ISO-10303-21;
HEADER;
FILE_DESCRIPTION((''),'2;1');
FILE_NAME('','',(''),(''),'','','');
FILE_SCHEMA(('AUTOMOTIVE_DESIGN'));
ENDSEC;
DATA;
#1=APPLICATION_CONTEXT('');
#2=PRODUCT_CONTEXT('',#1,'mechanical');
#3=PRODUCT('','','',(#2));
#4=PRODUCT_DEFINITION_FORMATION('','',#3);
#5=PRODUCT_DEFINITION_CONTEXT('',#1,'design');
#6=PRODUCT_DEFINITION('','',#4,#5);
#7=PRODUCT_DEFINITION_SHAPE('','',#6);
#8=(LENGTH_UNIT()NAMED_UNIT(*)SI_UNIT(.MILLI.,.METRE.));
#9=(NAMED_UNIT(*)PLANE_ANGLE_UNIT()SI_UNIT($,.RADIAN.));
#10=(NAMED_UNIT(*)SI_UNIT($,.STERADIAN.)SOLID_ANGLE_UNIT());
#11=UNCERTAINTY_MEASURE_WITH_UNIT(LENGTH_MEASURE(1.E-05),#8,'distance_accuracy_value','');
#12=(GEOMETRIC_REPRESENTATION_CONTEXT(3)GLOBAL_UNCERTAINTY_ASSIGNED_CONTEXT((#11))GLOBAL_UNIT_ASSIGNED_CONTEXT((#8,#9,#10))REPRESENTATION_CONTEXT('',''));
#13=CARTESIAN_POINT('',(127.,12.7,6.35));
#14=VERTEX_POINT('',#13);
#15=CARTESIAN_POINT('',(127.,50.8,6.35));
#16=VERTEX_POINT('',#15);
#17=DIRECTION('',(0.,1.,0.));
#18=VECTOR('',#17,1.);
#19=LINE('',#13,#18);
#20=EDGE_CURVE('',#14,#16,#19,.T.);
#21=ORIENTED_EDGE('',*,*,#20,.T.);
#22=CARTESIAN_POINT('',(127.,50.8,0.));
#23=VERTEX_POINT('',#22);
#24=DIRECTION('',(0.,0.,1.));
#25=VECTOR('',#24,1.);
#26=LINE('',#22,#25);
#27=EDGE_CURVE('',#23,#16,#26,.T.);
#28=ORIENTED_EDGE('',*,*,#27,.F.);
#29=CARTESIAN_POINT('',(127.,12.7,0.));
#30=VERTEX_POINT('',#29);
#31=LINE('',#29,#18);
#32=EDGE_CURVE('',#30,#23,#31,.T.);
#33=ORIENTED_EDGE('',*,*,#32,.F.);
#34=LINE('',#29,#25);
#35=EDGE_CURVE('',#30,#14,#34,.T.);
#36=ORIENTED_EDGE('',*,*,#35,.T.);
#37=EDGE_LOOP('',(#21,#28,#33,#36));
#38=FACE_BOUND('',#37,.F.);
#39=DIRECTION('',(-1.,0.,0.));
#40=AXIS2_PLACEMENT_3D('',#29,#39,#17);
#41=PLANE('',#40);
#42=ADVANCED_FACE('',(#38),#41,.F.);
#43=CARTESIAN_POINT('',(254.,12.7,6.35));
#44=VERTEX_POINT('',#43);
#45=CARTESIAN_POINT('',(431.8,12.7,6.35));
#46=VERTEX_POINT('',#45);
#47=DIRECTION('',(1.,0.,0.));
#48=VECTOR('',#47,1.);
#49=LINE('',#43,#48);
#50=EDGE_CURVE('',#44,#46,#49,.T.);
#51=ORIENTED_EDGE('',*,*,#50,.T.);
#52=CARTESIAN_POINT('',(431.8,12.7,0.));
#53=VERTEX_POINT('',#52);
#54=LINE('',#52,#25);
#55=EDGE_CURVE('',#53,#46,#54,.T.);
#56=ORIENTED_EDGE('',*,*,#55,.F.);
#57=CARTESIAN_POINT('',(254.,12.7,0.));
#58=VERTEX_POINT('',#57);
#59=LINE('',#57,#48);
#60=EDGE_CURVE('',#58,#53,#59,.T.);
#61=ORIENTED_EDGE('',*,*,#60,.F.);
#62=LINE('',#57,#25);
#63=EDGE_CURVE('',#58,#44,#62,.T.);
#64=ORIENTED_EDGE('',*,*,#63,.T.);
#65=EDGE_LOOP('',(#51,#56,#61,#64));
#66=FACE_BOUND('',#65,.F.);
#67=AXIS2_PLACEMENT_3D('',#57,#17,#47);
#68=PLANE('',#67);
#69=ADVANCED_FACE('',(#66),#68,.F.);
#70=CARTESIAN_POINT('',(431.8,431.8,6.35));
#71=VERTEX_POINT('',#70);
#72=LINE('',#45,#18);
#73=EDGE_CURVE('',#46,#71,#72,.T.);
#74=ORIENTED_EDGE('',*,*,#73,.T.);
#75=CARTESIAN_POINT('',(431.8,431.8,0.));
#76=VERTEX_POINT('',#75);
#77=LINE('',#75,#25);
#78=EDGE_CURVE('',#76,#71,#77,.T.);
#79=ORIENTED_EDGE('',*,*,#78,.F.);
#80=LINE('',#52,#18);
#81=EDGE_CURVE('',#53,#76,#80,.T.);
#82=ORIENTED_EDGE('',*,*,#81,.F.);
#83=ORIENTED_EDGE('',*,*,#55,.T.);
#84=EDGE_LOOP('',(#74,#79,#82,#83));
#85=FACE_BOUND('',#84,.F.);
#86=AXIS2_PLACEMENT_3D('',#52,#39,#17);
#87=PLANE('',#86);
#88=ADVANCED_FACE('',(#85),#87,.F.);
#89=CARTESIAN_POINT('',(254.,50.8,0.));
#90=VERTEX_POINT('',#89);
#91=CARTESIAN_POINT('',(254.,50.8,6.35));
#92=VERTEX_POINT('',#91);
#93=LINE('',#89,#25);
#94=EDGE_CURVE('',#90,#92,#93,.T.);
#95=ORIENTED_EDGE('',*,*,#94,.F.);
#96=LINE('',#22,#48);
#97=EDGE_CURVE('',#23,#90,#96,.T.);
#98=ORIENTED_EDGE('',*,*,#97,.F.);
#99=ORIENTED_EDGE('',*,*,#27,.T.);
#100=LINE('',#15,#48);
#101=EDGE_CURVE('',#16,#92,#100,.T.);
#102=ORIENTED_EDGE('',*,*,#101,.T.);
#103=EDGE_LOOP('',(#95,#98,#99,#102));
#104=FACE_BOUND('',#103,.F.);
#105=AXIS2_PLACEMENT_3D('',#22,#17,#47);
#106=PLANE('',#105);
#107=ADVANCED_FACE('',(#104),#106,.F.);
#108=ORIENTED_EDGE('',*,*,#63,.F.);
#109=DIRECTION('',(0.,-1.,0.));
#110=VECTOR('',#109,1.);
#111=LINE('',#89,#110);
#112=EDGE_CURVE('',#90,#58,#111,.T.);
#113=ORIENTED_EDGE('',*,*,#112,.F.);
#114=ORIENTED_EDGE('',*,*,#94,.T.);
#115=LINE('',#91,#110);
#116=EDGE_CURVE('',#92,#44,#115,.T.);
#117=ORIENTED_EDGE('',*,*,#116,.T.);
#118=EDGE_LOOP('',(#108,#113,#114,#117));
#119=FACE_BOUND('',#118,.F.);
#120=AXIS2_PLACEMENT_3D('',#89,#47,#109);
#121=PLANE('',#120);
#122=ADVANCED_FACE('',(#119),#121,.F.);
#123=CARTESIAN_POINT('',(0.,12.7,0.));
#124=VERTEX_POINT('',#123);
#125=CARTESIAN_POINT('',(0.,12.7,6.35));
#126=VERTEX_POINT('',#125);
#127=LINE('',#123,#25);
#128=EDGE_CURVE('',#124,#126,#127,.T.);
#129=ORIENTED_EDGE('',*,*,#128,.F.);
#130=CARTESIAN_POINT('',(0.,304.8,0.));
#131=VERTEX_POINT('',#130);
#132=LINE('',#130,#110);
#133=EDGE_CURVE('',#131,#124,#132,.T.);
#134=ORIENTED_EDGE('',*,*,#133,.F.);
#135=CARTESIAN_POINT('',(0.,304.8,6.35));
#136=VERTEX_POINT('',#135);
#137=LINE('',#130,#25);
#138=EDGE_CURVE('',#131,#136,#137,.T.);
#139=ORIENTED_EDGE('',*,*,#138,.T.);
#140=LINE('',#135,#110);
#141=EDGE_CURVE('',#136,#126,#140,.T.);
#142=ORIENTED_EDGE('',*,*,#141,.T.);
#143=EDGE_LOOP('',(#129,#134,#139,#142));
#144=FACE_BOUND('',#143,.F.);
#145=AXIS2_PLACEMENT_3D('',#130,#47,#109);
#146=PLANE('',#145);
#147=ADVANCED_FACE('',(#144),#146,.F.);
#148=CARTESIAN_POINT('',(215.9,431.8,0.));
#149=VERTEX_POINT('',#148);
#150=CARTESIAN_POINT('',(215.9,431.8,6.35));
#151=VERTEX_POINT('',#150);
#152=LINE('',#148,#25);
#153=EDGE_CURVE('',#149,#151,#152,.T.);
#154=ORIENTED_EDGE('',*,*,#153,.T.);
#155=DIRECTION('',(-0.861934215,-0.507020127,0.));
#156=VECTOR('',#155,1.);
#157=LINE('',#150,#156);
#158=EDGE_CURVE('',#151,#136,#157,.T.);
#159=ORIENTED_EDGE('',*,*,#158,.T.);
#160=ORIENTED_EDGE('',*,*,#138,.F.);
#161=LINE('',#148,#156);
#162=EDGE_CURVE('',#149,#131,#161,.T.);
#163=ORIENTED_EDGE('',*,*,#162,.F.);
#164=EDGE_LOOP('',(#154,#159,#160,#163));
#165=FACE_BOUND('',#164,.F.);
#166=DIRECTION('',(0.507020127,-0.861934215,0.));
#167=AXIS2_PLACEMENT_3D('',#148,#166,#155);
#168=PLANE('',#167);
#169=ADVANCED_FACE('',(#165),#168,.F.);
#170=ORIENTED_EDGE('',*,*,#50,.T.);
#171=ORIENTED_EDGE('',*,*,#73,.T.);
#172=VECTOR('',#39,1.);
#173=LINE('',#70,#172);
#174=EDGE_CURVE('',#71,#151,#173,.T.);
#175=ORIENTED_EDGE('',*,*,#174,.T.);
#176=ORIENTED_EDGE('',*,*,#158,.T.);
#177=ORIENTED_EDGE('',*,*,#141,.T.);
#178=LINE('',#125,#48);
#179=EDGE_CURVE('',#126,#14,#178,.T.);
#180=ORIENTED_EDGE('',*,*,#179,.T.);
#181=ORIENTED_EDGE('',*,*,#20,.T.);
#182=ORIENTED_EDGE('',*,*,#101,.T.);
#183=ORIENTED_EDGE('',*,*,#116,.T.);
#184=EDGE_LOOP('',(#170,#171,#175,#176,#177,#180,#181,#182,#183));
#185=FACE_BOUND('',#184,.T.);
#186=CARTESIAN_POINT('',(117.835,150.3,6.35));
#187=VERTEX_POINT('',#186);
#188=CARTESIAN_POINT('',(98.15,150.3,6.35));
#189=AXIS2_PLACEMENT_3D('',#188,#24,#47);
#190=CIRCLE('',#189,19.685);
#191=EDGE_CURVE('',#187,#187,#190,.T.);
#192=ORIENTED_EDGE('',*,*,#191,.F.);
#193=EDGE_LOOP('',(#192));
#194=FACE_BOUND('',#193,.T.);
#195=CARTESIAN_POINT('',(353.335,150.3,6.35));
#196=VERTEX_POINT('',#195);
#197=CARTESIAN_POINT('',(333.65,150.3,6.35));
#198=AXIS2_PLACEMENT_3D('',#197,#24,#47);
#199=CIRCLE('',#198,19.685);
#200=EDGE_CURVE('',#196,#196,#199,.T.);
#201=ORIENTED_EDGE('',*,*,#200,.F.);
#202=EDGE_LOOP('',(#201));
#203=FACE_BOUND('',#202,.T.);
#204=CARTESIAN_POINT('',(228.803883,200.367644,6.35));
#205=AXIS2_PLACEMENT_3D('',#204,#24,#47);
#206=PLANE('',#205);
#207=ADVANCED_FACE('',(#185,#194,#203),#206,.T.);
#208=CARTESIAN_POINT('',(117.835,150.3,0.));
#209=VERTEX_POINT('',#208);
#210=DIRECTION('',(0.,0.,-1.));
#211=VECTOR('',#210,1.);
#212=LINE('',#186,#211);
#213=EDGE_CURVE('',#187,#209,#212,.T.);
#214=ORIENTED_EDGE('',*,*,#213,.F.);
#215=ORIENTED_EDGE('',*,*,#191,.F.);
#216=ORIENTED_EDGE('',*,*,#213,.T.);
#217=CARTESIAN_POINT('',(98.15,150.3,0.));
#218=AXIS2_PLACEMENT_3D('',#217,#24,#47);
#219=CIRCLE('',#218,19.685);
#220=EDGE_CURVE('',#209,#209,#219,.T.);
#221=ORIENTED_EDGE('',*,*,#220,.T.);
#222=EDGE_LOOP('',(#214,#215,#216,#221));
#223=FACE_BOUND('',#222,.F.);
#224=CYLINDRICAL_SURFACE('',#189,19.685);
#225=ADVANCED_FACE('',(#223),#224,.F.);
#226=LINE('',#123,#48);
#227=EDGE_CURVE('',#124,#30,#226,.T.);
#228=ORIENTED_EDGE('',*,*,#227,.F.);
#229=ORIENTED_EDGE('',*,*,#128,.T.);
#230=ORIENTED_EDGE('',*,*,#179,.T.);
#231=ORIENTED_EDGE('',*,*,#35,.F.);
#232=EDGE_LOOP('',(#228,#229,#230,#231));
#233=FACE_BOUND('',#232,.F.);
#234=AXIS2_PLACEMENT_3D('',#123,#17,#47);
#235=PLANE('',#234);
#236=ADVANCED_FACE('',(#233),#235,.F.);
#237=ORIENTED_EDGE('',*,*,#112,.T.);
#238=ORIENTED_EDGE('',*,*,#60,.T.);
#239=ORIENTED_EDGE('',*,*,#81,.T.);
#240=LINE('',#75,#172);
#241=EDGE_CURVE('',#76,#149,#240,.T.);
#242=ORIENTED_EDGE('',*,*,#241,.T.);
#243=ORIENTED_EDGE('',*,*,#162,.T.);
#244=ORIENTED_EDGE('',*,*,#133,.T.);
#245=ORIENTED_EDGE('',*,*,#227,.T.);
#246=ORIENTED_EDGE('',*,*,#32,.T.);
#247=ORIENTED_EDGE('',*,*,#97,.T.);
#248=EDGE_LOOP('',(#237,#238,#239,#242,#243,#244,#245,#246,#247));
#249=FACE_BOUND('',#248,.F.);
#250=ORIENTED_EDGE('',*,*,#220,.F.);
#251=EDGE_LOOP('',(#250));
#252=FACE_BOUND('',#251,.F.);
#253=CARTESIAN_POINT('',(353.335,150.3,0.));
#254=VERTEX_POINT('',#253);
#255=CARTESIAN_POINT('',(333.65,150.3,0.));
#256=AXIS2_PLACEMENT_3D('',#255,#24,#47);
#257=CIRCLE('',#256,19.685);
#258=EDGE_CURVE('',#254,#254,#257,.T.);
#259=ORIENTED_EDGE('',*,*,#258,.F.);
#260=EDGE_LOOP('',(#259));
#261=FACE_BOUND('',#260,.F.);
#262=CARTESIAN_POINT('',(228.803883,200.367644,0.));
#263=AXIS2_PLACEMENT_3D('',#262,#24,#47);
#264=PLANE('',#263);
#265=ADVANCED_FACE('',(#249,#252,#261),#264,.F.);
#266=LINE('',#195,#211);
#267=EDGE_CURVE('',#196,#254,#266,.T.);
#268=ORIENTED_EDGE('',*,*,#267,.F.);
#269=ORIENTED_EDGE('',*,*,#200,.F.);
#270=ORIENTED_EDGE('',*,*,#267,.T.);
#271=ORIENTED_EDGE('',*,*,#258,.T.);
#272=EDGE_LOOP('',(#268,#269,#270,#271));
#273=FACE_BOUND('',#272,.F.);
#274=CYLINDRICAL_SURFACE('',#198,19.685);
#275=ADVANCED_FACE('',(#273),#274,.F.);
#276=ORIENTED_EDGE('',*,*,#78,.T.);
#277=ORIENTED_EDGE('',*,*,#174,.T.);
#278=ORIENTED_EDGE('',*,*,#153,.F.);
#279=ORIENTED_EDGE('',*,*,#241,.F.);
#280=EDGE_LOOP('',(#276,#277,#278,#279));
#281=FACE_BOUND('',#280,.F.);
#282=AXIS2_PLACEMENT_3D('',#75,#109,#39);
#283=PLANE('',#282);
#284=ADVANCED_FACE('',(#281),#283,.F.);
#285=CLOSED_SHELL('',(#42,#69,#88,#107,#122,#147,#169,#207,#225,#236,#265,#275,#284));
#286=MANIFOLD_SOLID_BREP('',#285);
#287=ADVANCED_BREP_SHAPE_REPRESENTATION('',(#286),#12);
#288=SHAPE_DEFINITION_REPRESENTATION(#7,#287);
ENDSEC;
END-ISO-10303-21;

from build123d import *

# Parameters (mm, degrees)
BOSS_EXTRUDE1_DEPTH = 6.35
SKETCH3_R           = 19.685
CUT_EXTRUDE1_DEPTH  = 7.35


with BuildPart() as part:
    # Sketch2 → Boss-Extrude1 (new body)
    with BuildSketch(Plane.XY):
        Polygon((0, 304.8), (0, 12.7), (127, 12.7), (127, 50.8), (254, 50.8), (254, 12.7), (431.8, 12.7), (431.8, 431.8), (215.9, 431.8), align=None)
    extrude(amount=BOSS_EXTRUDE1_DEPTH)

    # Sketch3 → Cut-Extrude1 (cut, through all)
    with BuildSketch(Plane.XY.offset(6.35)):
        with Locations((98.15, 150.3)):
            Circle(SKETCH3_R)
        with Locations((333.65, 150.3)):
            Circle(SKETCH3_R)
    extrude(amount=-CUT_EXTRUDE1_DEPTH, mode=Mode.SUBTRACT)


solid = part.part
